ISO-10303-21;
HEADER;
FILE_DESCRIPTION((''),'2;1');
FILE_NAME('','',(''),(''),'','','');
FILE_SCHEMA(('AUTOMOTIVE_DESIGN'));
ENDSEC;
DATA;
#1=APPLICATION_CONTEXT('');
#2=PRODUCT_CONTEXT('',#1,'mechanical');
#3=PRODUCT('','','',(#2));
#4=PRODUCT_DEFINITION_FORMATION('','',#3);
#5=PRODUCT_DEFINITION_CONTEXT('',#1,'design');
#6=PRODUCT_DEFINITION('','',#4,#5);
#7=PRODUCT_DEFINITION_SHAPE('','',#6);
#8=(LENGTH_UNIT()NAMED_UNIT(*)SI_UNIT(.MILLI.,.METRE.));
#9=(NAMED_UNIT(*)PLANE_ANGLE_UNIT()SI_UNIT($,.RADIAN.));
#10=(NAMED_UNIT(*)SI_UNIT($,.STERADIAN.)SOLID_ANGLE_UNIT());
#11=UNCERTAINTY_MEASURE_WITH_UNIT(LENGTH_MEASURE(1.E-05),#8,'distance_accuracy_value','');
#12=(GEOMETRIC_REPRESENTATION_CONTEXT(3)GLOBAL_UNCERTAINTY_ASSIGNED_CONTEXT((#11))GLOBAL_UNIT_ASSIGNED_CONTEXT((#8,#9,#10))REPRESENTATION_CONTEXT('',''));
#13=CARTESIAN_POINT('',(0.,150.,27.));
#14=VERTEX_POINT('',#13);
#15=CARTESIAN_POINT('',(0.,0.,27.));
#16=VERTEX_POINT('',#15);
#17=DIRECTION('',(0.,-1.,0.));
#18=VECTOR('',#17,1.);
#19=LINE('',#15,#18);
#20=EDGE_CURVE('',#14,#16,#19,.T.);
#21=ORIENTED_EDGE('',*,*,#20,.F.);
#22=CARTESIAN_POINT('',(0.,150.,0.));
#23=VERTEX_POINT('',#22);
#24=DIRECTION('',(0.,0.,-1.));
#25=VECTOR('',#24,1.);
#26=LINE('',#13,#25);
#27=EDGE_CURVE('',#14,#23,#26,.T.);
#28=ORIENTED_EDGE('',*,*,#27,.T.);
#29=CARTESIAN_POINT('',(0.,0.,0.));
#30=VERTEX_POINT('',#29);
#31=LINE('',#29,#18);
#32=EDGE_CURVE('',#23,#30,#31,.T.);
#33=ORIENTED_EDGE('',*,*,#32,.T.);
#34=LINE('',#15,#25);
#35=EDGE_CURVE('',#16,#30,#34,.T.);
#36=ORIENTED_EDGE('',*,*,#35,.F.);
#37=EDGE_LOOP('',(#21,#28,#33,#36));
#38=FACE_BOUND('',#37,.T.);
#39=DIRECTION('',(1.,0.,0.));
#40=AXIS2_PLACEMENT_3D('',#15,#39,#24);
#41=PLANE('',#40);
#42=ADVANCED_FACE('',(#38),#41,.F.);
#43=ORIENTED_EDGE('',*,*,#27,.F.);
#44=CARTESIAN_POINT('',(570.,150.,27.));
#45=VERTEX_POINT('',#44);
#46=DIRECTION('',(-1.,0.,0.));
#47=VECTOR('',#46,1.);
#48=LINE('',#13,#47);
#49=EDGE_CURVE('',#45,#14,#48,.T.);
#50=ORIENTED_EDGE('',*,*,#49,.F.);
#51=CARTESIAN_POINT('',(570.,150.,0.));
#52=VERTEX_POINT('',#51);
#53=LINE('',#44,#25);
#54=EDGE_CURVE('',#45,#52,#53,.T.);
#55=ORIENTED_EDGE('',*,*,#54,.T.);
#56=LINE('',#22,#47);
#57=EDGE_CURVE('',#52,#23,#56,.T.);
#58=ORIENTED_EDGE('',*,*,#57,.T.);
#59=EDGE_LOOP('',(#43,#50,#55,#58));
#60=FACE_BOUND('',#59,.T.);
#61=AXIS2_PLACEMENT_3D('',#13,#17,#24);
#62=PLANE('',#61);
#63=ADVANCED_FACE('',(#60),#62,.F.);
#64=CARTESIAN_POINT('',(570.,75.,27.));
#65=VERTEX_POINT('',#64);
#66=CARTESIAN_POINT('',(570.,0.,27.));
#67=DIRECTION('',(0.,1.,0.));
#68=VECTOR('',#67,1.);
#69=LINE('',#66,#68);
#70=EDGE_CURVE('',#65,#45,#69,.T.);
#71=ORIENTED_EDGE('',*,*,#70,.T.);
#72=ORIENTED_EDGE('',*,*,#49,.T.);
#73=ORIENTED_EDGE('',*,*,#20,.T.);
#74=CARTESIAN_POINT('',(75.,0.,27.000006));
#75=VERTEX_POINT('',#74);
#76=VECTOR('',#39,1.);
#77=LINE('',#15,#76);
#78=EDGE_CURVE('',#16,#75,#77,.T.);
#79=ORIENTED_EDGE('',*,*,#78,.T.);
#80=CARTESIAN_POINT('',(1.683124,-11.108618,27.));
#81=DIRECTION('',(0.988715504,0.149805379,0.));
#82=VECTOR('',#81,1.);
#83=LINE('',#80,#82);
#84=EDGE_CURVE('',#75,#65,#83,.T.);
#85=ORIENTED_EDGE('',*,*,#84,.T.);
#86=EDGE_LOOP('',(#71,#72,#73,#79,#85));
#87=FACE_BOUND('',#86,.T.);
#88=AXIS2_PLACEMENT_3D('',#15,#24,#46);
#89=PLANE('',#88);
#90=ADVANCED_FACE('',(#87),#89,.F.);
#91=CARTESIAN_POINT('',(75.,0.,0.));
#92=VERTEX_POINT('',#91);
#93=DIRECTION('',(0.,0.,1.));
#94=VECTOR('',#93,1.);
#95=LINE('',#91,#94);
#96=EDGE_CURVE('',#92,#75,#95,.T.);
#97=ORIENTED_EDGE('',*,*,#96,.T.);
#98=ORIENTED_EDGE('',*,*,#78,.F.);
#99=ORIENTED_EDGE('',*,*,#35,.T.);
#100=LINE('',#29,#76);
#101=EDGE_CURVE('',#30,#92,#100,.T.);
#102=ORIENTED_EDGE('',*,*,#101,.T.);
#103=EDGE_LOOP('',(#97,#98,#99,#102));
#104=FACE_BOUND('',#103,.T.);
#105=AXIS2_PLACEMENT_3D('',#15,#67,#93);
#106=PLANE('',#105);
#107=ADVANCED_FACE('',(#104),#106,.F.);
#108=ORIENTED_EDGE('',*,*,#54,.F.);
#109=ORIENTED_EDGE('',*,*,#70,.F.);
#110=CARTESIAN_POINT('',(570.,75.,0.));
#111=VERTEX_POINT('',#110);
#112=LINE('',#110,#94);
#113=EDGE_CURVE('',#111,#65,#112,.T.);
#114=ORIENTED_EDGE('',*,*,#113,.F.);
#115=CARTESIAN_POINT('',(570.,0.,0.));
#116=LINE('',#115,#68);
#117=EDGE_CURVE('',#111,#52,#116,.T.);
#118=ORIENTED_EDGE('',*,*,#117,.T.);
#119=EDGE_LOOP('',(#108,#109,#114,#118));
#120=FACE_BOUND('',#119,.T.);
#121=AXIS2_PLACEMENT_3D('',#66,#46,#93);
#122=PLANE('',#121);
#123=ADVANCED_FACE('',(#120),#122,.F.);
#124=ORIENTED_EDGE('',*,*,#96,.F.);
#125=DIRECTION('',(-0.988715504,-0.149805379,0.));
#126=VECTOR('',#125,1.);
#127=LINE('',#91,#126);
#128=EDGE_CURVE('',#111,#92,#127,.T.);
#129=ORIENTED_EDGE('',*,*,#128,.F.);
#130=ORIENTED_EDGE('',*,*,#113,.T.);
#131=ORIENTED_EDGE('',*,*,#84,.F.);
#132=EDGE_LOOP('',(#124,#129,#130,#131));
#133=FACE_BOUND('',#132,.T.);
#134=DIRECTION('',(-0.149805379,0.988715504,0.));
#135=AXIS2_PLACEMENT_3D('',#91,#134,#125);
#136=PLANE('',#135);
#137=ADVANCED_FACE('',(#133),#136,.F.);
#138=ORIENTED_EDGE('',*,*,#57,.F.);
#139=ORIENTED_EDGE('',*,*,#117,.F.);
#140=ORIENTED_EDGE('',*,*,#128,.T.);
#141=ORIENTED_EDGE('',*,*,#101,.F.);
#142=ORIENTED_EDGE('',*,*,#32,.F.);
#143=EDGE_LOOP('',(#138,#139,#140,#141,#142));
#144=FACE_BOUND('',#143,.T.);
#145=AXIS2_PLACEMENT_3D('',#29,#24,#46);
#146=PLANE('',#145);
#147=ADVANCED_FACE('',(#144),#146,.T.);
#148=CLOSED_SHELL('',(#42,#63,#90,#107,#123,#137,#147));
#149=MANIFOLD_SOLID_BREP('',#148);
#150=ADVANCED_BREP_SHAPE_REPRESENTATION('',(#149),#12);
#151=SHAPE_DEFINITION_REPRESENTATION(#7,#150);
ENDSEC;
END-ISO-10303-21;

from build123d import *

# Parameters (mm, degrees)
ESQUISSE1_W                  = 570
ESQUISSE1_H                  = 150
BOSS_EXTRU_1_DEPTH           = 27
ENL_V_MAT_EXTRU_1_DEPTH      = 591.024575759
ENL_V_MAT_EXTRU_1_DEPTH_BACK = 591.024575759


with BuildPart() as part:
    # Esquisse1 → Boss.-Extru.1 (new body)
    with BuildSketch(Plane.XY):
        with Locations((285, 75)):
            Rectangle(ESQUISSE1_W, ESQUISSE1_H)
    extrude(amount=BOSS_EXTRU_1_DEPTH)

    # Esquisse2 → Enlèv. mat.-Extru.1 (cut, two sides: drawn at the far end of the back side and taken through both)
    with BuildSketch(Plane.XY.offset(27).offset(-ENL_V_MAT_EXTRU_1_DEPTH_BACK)):
        Polygon((75, 0), (570, 75), (570, 0), align=None)
    extrude(amount=ENL_V_MAT_EXTRU_1_DEPTH + ENL_V_MAT_EXTRU_1_DEPTH_BACK, mode=Mode.SUBTRACT)


solid = part.part
